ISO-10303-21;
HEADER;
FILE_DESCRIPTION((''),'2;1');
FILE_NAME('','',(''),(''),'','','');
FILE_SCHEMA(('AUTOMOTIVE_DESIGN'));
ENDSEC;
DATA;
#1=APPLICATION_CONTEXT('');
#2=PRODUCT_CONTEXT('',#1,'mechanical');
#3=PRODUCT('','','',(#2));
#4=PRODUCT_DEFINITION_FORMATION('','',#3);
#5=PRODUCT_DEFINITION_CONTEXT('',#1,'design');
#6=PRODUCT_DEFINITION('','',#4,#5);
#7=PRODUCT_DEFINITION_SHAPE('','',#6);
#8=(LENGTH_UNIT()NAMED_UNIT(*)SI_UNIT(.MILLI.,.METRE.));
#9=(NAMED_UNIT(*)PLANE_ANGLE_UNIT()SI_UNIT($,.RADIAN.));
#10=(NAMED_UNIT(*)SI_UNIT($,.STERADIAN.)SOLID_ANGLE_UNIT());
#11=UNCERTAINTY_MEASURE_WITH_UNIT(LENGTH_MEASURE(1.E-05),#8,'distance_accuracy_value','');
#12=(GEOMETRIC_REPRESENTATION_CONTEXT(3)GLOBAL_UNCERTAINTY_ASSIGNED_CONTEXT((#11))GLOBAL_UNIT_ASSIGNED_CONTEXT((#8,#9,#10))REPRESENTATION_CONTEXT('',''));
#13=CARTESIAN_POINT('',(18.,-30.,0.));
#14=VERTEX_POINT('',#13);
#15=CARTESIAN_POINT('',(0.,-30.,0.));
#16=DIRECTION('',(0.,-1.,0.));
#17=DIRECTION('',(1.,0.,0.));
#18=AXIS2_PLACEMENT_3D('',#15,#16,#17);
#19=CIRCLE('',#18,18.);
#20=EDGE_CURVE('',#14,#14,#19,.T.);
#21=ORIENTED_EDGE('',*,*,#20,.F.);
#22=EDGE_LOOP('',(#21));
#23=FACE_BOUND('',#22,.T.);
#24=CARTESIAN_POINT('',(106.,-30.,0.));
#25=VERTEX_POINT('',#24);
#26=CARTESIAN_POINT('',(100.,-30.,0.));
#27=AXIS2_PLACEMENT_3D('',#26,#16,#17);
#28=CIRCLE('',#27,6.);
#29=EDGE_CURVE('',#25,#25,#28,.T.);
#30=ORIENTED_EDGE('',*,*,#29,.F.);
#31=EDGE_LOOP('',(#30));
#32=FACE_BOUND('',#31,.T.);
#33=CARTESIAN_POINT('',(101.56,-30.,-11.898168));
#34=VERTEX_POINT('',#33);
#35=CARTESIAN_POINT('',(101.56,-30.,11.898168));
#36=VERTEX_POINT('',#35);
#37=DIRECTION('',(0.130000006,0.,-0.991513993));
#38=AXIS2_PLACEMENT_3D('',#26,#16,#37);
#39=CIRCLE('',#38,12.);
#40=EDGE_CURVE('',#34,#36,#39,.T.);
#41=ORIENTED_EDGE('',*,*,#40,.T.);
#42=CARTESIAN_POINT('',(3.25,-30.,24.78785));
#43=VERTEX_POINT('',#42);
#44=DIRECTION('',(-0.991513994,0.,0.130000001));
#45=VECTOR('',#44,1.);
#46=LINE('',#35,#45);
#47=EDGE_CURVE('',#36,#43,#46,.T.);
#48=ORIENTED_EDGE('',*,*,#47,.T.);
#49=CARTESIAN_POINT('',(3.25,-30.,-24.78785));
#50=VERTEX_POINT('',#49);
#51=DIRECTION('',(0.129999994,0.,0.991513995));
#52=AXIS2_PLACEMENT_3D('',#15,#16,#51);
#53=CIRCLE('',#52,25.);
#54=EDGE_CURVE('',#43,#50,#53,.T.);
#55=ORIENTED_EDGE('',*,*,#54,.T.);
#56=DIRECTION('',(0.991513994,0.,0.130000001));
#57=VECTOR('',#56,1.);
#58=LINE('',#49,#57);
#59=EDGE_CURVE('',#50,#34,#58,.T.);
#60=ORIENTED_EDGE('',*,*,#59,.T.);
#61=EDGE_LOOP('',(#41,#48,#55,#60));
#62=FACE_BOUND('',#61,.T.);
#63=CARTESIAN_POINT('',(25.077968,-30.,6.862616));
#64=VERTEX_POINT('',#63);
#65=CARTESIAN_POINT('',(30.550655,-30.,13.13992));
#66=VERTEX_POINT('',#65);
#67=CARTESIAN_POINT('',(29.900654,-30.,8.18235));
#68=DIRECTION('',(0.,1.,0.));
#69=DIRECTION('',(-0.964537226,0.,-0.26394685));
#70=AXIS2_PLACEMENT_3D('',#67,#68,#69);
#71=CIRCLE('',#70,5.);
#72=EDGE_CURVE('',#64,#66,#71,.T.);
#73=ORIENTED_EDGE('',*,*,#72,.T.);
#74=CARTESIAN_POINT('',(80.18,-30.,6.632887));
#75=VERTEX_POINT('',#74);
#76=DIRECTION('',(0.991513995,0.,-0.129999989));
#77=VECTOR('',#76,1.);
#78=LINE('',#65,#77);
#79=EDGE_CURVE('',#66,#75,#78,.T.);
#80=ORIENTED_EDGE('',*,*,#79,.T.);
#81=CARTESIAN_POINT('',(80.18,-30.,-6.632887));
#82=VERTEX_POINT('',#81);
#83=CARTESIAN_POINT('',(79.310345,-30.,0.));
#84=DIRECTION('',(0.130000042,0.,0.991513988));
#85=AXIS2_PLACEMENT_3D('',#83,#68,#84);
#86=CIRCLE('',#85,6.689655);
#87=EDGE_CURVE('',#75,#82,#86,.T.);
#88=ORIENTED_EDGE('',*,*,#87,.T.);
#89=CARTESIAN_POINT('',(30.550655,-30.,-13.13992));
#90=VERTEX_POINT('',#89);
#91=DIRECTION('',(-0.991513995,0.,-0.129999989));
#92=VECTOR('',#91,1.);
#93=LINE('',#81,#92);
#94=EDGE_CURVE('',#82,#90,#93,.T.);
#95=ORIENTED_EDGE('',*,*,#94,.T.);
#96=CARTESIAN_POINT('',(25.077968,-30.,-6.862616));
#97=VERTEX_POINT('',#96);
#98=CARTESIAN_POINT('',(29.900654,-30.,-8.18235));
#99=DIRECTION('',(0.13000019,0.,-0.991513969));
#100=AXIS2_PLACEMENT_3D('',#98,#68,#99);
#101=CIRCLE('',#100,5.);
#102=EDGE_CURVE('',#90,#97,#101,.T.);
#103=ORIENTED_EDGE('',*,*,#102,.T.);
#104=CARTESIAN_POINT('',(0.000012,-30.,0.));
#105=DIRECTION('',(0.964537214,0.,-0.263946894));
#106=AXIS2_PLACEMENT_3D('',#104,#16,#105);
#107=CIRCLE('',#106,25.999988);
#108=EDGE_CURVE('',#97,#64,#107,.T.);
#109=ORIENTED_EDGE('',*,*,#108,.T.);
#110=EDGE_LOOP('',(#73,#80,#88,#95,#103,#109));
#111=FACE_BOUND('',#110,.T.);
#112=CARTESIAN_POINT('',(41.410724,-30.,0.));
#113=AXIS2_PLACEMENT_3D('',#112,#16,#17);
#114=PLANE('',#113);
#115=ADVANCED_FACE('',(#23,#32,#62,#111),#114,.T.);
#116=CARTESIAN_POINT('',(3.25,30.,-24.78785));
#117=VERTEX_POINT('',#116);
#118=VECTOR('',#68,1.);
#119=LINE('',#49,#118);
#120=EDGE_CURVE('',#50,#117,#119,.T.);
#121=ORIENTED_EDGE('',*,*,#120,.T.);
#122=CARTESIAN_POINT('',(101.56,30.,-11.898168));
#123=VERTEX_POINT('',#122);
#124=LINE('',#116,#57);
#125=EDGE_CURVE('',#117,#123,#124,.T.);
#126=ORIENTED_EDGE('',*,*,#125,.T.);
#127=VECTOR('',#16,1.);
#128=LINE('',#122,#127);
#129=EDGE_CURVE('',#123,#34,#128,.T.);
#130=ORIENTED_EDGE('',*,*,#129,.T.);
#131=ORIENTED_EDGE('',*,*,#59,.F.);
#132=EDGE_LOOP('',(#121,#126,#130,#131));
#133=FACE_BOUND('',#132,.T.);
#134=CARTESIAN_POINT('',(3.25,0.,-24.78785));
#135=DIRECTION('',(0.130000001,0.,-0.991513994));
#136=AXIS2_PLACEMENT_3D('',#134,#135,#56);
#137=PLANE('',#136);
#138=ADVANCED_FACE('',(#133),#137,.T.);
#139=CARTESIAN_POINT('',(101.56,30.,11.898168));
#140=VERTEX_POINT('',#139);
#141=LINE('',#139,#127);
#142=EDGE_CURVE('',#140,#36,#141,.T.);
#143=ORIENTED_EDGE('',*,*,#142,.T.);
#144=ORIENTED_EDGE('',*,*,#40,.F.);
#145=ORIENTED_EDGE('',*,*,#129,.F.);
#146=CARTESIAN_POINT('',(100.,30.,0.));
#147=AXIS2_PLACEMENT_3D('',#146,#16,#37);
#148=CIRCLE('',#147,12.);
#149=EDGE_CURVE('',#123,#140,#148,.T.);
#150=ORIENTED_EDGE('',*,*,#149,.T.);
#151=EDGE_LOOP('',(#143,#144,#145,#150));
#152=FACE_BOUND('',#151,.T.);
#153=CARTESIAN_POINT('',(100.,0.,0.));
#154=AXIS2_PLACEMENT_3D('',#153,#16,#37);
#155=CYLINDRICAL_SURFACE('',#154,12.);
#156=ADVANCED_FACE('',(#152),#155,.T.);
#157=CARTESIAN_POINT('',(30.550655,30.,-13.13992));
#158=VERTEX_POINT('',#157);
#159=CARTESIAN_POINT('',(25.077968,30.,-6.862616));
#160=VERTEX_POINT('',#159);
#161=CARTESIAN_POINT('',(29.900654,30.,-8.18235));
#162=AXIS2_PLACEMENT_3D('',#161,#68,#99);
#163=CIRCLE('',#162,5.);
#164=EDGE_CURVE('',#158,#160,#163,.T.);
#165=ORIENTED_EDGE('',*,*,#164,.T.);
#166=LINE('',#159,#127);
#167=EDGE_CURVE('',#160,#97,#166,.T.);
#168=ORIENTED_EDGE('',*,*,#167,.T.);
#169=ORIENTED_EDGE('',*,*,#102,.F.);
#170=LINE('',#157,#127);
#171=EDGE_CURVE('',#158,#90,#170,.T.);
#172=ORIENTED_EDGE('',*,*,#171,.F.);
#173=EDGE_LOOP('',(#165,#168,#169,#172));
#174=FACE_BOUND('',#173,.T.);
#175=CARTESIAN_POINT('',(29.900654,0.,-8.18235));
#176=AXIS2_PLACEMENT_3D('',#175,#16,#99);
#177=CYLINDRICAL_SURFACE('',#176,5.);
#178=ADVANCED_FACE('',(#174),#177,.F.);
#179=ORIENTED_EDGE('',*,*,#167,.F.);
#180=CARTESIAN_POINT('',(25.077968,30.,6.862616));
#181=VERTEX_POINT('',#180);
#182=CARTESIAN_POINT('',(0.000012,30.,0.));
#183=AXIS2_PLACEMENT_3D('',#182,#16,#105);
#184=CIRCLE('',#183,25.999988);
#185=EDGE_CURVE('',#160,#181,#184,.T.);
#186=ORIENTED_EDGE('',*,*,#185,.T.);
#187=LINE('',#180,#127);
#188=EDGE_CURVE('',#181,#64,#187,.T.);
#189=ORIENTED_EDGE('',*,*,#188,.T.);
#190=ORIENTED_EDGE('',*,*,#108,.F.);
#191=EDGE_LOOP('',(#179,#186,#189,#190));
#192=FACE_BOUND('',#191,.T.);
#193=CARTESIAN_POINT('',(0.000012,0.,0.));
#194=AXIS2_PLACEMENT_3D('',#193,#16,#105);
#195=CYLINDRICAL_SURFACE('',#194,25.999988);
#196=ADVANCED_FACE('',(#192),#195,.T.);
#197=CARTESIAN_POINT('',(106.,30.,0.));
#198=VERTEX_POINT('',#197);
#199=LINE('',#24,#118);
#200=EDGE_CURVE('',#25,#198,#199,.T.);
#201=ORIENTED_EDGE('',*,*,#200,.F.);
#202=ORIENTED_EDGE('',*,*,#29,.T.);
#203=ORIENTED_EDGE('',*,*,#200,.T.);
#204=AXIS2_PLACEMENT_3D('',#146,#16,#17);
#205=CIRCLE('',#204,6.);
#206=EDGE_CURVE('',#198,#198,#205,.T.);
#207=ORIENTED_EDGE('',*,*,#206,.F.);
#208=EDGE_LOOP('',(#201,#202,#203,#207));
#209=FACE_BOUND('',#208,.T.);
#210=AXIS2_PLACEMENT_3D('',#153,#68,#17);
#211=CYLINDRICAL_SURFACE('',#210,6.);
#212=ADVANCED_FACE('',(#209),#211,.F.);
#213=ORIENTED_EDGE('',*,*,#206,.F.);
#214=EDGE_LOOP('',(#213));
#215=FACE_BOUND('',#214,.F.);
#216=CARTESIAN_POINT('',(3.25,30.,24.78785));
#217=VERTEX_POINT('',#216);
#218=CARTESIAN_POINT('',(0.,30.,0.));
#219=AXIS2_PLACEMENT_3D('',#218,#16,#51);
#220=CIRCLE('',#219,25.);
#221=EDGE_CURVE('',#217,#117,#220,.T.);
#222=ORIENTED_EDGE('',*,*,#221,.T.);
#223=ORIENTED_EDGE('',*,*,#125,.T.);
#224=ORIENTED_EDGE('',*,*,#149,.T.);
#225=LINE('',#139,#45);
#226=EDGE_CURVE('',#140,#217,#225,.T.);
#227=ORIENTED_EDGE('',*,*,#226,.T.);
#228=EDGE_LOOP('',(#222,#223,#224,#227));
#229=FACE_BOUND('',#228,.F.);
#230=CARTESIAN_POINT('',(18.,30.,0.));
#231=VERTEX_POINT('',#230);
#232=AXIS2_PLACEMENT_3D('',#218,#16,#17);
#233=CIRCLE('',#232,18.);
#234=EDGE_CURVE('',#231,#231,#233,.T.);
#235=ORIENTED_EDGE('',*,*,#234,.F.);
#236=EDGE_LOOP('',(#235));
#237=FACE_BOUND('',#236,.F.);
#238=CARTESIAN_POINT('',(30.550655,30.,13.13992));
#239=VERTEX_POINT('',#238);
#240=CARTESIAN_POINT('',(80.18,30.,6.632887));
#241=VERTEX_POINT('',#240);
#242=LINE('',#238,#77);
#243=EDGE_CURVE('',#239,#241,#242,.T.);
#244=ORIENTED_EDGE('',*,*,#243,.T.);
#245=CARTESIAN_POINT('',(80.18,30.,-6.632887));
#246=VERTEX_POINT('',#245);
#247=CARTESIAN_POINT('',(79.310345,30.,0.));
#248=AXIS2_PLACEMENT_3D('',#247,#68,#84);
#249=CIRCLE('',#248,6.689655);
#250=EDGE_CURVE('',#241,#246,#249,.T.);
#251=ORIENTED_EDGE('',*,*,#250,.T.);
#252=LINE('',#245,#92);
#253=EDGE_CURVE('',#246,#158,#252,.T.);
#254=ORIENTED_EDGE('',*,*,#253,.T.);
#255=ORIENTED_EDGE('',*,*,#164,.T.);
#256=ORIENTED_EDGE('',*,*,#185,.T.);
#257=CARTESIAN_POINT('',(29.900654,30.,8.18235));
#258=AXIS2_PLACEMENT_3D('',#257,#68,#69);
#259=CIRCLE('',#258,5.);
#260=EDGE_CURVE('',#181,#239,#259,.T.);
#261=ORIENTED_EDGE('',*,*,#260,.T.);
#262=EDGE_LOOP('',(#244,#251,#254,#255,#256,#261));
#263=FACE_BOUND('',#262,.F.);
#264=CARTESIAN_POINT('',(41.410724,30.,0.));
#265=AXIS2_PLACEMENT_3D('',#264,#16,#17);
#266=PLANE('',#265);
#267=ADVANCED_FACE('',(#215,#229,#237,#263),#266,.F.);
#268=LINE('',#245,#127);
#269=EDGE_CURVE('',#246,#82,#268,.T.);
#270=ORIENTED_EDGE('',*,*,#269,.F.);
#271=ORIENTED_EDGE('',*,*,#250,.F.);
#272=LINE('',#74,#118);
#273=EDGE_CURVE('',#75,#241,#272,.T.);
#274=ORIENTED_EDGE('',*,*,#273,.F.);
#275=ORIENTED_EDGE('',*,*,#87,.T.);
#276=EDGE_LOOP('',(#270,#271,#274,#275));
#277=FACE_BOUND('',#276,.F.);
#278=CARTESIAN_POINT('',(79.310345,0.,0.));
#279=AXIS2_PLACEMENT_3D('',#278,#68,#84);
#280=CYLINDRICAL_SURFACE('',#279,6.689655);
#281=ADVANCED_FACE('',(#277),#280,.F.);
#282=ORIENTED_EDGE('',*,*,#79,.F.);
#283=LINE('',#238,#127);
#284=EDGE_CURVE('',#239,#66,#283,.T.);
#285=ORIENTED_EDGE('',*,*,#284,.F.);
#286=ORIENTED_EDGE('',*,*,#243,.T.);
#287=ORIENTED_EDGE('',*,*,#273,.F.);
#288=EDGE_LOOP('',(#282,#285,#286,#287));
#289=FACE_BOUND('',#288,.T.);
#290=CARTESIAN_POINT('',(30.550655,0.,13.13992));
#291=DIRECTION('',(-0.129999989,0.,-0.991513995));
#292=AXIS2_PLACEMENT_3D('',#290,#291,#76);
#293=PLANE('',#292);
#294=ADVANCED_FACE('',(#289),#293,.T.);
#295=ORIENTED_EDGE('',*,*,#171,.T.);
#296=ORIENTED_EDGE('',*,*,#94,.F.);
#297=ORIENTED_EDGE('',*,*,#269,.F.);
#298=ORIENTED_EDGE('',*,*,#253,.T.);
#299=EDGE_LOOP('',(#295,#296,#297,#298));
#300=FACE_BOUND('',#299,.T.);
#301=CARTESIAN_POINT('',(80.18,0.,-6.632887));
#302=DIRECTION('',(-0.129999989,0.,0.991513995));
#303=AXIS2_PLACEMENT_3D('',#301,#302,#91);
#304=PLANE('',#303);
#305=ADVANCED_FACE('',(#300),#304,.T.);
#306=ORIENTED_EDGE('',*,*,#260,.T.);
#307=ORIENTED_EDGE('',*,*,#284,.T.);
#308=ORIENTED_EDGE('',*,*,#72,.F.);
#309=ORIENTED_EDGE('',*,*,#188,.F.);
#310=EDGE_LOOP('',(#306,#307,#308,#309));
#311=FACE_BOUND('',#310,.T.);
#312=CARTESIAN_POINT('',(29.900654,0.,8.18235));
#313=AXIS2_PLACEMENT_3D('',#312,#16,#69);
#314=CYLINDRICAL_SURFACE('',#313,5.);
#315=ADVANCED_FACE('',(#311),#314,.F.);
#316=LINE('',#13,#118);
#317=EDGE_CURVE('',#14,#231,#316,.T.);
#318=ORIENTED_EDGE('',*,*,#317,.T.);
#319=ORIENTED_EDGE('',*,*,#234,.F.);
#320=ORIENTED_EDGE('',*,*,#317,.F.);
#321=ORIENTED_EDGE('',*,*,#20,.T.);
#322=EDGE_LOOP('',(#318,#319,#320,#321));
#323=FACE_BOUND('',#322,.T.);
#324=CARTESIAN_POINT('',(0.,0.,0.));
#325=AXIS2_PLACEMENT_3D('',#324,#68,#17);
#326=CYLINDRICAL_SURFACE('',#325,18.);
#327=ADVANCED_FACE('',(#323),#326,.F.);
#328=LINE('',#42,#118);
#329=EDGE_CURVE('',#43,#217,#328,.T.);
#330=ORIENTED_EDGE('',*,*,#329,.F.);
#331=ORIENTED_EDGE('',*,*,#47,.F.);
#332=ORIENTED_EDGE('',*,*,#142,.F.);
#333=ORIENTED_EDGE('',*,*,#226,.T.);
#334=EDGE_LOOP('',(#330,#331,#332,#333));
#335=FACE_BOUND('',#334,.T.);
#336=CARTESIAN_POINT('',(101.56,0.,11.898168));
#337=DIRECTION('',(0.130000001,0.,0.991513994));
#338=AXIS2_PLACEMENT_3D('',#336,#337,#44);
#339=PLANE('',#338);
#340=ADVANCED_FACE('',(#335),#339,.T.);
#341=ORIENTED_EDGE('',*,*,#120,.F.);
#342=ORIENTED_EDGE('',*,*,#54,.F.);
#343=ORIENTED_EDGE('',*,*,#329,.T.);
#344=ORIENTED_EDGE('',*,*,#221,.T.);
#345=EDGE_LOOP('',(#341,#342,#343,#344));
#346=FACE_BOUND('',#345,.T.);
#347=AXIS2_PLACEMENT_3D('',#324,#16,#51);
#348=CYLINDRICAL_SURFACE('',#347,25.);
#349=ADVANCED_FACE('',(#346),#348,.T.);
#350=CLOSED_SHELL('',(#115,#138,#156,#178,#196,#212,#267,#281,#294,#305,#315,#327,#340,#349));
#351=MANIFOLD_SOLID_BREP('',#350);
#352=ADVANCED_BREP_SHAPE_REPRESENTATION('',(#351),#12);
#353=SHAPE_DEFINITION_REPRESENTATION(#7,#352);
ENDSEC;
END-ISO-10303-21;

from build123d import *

# Parameters (mm, degrees)
F0_R     = 18
F0_R_2   = 6
F1_DEPTH = 30


with BuildPart() as f1:
    # F0 (on Front) → F1 (new body, symmetric)
    with BuildSketch(Plane.XZ):
        with BuildLine():
            Line((3.25, -24.78785), (101.56, -11.898168))
            ThreePointArc((101.56, -11.898168), (112, 0), (101.56, 11.898168))
            Line((101.56, 11.898168), (3.25, 24.78785))
            ThreePointArc((3.25, 24.78785), (-25, 0), (3.25, -24.78785))
        make_face()
        Circle(F0_R, mode=Mode.SUBTRACT)
        with BuildLine():
            ThreePointArc((25.077968, 6.862616), (26.13184, 11.468083), (30.550655, 13.13992))
            Line((30.550655, 13.13992), (80.18, 6.632887))
            ThreePointArc((80.18, 6.632887), (86, 0), (80.18, -6.632887))
            Line((80.18, -6.632887), (30.550655, -13.13992))
            ThreePointArc((30.550655, -13.13992), (26.13184, -11.468083), (25.077968, -6.862616))
            ThreePointArc((25.077968, -6.862616), (26, 0), (25.077968, 6.862616))
        make_face(mode=Mode.SUBTRACT)
        with Locations((100, 0)):
            Circle(F0_R_2, mode=Mode.SUBTRACT)
    extrude(amount=F1_DEPTH, both=True)


solid = f1.part
